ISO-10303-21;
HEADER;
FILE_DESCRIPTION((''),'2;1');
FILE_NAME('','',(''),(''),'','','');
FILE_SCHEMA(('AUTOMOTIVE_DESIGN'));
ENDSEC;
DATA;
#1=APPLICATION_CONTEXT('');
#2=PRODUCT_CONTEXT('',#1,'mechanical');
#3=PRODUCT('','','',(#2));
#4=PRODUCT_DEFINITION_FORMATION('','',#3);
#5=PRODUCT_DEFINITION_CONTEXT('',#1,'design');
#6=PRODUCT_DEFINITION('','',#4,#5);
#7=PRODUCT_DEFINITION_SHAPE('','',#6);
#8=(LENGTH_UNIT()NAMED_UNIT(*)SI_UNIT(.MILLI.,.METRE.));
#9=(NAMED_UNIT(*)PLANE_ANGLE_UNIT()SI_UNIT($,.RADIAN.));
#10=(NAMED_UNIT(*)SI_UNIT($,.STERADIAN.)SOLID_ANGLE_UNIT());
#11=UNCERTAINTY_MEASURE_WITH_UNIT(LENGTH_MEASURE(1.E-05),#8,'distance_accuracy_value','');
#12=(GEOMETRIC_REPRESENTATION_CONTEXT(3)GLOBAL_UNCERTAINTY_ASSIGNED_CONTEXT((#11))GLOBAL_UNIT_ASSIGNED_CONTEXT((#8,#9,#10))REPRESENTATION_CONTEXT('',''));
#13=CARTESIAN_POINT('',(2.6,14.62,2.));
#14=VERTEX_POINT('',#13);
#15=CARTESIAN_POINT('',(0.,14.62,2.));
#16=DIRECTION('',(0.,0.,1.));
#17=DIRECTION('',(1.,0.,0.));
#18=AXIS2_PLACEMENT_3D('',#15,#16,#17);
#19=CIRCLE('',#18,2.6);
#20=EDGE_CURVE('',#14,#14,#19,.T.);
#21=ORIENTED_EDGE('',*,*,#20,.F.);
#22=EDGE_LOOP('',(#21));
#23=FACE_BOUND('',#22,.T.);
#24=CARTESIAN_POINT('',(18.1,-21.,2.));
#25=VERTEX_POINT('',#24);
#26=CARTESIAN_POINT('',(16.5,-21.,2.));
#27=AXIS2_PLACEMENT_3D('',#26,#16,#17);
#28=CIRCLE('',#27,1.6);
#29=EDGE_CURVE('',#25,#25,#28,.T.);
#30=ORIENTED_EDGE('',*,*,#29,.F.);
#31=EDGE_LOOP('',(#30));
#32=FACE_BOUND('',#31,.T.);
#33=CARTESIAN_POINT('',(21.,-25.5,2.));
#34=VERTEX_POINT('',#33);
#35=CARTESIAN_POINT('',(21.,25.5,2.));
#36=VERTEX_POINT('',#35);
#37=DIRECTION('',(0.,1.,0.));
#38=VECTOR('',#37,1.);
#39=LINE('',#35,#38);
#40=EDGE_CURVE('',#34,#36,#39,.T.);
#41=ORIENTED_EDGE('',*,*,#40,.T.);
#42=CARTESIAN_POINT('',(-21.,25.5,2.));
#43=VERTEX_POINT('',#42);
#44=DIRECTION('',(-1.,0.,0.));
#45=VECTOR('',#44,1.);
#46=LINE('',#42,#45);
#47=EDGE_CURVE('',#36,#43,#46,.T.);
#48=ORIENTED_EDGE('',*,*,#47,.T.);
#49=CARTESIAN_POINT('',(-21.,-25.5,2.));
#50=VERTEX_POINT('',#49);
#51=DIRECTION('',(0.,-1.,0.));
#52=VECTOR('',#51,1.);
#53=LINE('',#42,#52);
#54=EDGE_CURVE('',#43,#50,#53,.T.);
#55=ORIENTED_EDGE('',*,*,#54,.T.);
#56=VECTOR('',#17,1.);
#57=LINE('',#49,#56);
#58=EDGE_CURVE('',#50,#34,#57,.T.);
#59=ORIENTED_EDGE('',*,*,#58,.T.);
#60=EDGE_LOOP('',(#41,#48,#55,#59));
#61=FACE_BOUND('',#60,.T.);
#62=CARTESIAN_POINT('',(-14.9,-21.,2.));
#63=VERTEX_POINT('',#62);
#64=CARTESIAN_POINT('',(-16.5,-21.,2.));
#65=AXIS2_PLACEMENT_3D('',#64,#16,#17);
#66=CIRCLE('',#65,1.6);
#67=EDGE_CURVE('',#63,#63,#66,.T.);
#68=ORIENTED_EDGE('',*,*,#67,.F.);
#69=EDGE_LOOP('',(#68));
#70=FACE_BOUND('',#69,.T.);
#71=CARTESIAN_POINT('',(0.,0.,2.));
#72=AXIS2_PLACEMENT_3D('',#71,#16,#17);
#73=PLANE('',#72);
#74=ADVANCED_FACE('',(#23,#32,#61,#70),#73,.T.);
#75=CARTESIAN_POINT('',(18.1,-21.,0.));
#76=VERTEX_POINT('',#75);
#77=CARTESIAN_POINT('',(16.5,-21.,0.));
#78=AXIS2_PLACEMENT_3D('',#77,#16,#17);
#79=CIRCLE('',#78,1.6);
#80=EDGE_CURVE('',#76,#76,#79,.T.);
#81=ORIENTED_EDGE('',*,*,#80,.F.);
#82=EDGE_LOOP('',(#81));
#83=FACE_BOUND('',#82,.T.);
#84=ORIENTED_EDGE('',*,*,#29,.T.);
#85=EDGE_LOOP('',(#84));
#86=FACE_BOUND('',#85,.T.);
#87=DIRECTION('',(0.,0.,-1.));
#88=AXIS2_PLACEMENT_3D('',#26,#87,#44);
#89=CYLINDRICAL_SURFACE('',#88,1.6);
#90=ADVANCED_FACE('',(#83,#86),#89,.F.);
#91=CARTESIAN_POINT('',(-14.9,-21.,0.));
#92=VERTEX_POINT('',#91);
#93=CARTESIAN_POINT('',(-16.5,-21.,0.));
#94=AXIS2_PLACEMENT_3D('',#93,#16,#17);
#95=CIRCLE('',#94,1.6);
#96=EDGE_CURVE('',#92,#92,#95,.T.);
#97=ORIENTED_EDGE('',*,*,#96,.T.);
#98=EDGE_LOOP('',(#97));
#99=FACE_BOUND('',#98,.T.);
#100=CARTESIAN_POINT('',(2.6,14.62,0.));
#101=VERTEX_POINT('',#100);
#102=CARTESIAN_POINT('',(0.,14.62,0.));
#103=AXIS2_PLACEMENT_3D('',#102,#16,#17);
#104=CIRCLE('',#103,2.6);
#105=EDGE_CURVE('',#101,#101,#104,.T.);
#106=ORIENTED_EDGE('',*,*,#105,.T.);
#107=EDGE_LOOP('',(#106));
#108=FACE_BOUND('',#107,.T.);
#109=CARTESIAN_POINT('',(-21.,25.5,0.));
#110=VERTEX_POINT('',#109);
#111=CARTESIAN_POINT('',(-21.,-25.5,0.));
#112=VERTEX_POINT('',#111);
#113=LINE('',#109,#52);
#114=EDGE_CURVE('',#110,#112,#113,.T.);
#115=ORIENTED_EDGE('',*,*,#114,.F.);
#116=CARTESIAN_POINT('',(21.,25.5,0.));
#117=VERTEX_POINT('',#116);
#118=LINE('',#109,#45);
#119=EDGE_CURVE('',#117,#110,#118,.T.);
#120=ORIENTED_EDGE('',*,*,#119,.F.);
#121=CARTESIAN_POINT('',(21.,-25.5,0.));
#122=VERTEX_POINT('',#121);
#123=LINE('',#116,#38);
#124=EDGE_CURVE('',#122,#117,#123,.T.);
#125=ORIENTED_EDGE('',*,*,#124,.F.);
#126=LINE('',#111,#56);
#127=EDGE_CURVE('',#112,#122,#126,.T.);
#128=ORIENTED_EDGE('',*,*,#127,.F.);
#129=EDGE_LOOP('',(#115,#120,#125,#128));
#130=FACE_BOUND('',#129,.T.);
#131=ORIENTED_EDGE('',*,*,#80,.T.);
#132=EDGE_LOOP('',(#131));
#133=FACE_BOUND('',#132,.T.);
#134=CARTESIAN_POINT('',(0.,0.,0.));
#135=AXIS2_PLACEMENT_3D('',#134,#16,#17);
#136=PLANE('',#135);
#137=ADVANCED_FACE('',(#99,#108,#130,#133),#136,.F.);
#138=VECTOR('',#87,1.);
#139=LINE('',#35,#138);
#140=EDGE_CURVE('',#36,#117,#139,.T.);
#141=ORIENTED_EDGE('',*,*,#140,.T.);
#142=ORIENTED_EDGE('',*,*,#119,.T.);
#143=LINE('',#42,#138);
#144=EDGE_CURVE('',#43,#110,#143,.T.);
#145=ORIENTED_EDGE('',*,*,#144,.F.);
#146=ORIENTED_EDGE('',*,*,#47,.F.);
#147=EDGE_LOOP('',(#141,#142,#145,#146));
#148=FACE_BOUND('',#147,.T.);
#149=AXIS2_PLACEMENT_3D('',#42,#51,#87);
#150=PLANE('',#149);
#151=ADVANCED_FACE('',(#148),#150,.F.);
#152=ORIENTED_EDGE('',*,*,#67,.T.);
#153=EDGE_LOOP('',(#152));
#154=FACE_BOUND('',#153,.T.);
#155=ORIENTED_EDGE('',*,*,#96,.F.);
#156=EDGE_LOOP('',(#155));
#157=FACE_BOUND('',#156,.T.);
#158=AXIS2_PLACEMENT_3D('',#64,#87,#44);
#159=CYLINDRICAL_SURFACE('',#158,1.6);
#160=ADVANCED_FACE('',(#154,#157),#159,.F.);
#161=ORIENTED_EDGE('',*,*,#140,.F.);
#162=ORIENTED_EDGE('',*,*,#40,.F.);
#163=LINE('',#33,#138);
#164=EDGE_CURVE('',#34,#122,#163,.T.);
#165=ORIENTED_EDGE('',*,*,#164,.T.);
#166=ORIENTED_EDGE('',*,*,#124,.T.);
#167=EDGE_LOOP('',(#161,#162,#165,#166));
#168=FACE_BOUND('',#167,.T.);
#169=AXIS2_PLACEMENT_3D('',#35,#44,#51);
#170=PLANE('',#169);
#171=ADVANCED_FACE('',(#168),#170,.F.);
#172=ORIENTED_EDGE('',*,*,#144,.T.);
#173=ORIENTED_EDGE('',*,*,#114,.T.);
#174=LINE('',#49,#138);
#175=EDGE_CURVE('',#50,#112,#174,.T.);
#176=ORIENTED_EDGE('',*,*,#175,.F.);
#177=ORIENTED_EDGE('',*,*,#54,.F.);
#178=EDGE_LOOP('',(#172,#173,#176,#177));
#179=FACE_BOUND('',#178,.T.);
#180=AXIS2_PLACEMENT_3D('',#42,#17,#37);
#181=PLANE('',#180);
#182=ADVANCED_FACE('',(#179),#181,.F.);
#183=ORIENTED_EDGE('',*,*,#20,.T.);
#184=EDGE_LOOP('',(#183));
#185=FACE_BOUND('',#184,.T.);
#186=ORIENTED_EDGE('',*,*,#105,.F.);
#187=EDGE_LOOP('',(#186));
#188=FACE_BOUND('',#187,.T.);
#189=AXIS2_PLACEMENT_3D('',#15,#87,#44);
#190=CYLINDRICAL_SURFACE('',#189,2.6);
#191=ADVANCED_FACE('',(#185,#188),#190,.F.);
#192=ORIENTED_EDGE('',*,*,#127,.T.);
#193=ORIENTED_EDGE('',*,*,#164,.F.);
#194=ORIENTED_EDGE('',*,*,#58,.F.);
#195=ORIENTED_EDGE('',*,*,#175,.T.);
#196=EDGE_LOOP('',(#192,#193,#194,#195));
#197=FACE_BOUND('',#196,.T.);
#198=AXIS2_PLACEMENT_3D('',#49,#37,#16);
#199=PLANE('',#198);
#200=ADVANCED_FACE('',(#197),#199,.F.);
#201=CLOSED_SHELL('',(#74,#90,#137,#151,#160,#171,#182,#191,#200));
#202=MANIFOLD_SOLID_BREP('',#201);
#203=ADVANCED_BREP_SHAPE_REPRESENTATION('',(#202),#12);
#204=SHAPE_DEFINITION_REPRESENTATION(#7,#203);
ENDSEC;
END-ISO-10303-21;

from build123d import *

# Parameters (mm, degrees)
SKETCH_1_W      = 42
SKETCH_1_H      = 51
SKETCH_1_R      = 1.6
SKETCH_1_R_2    = 2.6
EXTRUDE_1_DEPTH = 2


with BuildPart() as part:
    # ｽｹｯﾁ1 → ﾎﾞｽ - 押し出し1 (new body)
    with BuildSketch(Plane.XY):
        Rectangle(SKETCH_1_W, SKETCH_1_H)
        with Locations((-16.5, -21)):
            Circle(SKETCH_1_R, mode=Mode.SUBTRACT)
        with Locations((16.5, -21)):
            Circle(SKETCH_1_R, mode=Mode.SUBTRACT)
        with Locations((0, 14.62)):
            Circle(SKETCH_1_R_2, mode=Mode.SUBTRACT)
    extrude(amount=EXTRUDE_1_DEPTH)


solid = part.part
